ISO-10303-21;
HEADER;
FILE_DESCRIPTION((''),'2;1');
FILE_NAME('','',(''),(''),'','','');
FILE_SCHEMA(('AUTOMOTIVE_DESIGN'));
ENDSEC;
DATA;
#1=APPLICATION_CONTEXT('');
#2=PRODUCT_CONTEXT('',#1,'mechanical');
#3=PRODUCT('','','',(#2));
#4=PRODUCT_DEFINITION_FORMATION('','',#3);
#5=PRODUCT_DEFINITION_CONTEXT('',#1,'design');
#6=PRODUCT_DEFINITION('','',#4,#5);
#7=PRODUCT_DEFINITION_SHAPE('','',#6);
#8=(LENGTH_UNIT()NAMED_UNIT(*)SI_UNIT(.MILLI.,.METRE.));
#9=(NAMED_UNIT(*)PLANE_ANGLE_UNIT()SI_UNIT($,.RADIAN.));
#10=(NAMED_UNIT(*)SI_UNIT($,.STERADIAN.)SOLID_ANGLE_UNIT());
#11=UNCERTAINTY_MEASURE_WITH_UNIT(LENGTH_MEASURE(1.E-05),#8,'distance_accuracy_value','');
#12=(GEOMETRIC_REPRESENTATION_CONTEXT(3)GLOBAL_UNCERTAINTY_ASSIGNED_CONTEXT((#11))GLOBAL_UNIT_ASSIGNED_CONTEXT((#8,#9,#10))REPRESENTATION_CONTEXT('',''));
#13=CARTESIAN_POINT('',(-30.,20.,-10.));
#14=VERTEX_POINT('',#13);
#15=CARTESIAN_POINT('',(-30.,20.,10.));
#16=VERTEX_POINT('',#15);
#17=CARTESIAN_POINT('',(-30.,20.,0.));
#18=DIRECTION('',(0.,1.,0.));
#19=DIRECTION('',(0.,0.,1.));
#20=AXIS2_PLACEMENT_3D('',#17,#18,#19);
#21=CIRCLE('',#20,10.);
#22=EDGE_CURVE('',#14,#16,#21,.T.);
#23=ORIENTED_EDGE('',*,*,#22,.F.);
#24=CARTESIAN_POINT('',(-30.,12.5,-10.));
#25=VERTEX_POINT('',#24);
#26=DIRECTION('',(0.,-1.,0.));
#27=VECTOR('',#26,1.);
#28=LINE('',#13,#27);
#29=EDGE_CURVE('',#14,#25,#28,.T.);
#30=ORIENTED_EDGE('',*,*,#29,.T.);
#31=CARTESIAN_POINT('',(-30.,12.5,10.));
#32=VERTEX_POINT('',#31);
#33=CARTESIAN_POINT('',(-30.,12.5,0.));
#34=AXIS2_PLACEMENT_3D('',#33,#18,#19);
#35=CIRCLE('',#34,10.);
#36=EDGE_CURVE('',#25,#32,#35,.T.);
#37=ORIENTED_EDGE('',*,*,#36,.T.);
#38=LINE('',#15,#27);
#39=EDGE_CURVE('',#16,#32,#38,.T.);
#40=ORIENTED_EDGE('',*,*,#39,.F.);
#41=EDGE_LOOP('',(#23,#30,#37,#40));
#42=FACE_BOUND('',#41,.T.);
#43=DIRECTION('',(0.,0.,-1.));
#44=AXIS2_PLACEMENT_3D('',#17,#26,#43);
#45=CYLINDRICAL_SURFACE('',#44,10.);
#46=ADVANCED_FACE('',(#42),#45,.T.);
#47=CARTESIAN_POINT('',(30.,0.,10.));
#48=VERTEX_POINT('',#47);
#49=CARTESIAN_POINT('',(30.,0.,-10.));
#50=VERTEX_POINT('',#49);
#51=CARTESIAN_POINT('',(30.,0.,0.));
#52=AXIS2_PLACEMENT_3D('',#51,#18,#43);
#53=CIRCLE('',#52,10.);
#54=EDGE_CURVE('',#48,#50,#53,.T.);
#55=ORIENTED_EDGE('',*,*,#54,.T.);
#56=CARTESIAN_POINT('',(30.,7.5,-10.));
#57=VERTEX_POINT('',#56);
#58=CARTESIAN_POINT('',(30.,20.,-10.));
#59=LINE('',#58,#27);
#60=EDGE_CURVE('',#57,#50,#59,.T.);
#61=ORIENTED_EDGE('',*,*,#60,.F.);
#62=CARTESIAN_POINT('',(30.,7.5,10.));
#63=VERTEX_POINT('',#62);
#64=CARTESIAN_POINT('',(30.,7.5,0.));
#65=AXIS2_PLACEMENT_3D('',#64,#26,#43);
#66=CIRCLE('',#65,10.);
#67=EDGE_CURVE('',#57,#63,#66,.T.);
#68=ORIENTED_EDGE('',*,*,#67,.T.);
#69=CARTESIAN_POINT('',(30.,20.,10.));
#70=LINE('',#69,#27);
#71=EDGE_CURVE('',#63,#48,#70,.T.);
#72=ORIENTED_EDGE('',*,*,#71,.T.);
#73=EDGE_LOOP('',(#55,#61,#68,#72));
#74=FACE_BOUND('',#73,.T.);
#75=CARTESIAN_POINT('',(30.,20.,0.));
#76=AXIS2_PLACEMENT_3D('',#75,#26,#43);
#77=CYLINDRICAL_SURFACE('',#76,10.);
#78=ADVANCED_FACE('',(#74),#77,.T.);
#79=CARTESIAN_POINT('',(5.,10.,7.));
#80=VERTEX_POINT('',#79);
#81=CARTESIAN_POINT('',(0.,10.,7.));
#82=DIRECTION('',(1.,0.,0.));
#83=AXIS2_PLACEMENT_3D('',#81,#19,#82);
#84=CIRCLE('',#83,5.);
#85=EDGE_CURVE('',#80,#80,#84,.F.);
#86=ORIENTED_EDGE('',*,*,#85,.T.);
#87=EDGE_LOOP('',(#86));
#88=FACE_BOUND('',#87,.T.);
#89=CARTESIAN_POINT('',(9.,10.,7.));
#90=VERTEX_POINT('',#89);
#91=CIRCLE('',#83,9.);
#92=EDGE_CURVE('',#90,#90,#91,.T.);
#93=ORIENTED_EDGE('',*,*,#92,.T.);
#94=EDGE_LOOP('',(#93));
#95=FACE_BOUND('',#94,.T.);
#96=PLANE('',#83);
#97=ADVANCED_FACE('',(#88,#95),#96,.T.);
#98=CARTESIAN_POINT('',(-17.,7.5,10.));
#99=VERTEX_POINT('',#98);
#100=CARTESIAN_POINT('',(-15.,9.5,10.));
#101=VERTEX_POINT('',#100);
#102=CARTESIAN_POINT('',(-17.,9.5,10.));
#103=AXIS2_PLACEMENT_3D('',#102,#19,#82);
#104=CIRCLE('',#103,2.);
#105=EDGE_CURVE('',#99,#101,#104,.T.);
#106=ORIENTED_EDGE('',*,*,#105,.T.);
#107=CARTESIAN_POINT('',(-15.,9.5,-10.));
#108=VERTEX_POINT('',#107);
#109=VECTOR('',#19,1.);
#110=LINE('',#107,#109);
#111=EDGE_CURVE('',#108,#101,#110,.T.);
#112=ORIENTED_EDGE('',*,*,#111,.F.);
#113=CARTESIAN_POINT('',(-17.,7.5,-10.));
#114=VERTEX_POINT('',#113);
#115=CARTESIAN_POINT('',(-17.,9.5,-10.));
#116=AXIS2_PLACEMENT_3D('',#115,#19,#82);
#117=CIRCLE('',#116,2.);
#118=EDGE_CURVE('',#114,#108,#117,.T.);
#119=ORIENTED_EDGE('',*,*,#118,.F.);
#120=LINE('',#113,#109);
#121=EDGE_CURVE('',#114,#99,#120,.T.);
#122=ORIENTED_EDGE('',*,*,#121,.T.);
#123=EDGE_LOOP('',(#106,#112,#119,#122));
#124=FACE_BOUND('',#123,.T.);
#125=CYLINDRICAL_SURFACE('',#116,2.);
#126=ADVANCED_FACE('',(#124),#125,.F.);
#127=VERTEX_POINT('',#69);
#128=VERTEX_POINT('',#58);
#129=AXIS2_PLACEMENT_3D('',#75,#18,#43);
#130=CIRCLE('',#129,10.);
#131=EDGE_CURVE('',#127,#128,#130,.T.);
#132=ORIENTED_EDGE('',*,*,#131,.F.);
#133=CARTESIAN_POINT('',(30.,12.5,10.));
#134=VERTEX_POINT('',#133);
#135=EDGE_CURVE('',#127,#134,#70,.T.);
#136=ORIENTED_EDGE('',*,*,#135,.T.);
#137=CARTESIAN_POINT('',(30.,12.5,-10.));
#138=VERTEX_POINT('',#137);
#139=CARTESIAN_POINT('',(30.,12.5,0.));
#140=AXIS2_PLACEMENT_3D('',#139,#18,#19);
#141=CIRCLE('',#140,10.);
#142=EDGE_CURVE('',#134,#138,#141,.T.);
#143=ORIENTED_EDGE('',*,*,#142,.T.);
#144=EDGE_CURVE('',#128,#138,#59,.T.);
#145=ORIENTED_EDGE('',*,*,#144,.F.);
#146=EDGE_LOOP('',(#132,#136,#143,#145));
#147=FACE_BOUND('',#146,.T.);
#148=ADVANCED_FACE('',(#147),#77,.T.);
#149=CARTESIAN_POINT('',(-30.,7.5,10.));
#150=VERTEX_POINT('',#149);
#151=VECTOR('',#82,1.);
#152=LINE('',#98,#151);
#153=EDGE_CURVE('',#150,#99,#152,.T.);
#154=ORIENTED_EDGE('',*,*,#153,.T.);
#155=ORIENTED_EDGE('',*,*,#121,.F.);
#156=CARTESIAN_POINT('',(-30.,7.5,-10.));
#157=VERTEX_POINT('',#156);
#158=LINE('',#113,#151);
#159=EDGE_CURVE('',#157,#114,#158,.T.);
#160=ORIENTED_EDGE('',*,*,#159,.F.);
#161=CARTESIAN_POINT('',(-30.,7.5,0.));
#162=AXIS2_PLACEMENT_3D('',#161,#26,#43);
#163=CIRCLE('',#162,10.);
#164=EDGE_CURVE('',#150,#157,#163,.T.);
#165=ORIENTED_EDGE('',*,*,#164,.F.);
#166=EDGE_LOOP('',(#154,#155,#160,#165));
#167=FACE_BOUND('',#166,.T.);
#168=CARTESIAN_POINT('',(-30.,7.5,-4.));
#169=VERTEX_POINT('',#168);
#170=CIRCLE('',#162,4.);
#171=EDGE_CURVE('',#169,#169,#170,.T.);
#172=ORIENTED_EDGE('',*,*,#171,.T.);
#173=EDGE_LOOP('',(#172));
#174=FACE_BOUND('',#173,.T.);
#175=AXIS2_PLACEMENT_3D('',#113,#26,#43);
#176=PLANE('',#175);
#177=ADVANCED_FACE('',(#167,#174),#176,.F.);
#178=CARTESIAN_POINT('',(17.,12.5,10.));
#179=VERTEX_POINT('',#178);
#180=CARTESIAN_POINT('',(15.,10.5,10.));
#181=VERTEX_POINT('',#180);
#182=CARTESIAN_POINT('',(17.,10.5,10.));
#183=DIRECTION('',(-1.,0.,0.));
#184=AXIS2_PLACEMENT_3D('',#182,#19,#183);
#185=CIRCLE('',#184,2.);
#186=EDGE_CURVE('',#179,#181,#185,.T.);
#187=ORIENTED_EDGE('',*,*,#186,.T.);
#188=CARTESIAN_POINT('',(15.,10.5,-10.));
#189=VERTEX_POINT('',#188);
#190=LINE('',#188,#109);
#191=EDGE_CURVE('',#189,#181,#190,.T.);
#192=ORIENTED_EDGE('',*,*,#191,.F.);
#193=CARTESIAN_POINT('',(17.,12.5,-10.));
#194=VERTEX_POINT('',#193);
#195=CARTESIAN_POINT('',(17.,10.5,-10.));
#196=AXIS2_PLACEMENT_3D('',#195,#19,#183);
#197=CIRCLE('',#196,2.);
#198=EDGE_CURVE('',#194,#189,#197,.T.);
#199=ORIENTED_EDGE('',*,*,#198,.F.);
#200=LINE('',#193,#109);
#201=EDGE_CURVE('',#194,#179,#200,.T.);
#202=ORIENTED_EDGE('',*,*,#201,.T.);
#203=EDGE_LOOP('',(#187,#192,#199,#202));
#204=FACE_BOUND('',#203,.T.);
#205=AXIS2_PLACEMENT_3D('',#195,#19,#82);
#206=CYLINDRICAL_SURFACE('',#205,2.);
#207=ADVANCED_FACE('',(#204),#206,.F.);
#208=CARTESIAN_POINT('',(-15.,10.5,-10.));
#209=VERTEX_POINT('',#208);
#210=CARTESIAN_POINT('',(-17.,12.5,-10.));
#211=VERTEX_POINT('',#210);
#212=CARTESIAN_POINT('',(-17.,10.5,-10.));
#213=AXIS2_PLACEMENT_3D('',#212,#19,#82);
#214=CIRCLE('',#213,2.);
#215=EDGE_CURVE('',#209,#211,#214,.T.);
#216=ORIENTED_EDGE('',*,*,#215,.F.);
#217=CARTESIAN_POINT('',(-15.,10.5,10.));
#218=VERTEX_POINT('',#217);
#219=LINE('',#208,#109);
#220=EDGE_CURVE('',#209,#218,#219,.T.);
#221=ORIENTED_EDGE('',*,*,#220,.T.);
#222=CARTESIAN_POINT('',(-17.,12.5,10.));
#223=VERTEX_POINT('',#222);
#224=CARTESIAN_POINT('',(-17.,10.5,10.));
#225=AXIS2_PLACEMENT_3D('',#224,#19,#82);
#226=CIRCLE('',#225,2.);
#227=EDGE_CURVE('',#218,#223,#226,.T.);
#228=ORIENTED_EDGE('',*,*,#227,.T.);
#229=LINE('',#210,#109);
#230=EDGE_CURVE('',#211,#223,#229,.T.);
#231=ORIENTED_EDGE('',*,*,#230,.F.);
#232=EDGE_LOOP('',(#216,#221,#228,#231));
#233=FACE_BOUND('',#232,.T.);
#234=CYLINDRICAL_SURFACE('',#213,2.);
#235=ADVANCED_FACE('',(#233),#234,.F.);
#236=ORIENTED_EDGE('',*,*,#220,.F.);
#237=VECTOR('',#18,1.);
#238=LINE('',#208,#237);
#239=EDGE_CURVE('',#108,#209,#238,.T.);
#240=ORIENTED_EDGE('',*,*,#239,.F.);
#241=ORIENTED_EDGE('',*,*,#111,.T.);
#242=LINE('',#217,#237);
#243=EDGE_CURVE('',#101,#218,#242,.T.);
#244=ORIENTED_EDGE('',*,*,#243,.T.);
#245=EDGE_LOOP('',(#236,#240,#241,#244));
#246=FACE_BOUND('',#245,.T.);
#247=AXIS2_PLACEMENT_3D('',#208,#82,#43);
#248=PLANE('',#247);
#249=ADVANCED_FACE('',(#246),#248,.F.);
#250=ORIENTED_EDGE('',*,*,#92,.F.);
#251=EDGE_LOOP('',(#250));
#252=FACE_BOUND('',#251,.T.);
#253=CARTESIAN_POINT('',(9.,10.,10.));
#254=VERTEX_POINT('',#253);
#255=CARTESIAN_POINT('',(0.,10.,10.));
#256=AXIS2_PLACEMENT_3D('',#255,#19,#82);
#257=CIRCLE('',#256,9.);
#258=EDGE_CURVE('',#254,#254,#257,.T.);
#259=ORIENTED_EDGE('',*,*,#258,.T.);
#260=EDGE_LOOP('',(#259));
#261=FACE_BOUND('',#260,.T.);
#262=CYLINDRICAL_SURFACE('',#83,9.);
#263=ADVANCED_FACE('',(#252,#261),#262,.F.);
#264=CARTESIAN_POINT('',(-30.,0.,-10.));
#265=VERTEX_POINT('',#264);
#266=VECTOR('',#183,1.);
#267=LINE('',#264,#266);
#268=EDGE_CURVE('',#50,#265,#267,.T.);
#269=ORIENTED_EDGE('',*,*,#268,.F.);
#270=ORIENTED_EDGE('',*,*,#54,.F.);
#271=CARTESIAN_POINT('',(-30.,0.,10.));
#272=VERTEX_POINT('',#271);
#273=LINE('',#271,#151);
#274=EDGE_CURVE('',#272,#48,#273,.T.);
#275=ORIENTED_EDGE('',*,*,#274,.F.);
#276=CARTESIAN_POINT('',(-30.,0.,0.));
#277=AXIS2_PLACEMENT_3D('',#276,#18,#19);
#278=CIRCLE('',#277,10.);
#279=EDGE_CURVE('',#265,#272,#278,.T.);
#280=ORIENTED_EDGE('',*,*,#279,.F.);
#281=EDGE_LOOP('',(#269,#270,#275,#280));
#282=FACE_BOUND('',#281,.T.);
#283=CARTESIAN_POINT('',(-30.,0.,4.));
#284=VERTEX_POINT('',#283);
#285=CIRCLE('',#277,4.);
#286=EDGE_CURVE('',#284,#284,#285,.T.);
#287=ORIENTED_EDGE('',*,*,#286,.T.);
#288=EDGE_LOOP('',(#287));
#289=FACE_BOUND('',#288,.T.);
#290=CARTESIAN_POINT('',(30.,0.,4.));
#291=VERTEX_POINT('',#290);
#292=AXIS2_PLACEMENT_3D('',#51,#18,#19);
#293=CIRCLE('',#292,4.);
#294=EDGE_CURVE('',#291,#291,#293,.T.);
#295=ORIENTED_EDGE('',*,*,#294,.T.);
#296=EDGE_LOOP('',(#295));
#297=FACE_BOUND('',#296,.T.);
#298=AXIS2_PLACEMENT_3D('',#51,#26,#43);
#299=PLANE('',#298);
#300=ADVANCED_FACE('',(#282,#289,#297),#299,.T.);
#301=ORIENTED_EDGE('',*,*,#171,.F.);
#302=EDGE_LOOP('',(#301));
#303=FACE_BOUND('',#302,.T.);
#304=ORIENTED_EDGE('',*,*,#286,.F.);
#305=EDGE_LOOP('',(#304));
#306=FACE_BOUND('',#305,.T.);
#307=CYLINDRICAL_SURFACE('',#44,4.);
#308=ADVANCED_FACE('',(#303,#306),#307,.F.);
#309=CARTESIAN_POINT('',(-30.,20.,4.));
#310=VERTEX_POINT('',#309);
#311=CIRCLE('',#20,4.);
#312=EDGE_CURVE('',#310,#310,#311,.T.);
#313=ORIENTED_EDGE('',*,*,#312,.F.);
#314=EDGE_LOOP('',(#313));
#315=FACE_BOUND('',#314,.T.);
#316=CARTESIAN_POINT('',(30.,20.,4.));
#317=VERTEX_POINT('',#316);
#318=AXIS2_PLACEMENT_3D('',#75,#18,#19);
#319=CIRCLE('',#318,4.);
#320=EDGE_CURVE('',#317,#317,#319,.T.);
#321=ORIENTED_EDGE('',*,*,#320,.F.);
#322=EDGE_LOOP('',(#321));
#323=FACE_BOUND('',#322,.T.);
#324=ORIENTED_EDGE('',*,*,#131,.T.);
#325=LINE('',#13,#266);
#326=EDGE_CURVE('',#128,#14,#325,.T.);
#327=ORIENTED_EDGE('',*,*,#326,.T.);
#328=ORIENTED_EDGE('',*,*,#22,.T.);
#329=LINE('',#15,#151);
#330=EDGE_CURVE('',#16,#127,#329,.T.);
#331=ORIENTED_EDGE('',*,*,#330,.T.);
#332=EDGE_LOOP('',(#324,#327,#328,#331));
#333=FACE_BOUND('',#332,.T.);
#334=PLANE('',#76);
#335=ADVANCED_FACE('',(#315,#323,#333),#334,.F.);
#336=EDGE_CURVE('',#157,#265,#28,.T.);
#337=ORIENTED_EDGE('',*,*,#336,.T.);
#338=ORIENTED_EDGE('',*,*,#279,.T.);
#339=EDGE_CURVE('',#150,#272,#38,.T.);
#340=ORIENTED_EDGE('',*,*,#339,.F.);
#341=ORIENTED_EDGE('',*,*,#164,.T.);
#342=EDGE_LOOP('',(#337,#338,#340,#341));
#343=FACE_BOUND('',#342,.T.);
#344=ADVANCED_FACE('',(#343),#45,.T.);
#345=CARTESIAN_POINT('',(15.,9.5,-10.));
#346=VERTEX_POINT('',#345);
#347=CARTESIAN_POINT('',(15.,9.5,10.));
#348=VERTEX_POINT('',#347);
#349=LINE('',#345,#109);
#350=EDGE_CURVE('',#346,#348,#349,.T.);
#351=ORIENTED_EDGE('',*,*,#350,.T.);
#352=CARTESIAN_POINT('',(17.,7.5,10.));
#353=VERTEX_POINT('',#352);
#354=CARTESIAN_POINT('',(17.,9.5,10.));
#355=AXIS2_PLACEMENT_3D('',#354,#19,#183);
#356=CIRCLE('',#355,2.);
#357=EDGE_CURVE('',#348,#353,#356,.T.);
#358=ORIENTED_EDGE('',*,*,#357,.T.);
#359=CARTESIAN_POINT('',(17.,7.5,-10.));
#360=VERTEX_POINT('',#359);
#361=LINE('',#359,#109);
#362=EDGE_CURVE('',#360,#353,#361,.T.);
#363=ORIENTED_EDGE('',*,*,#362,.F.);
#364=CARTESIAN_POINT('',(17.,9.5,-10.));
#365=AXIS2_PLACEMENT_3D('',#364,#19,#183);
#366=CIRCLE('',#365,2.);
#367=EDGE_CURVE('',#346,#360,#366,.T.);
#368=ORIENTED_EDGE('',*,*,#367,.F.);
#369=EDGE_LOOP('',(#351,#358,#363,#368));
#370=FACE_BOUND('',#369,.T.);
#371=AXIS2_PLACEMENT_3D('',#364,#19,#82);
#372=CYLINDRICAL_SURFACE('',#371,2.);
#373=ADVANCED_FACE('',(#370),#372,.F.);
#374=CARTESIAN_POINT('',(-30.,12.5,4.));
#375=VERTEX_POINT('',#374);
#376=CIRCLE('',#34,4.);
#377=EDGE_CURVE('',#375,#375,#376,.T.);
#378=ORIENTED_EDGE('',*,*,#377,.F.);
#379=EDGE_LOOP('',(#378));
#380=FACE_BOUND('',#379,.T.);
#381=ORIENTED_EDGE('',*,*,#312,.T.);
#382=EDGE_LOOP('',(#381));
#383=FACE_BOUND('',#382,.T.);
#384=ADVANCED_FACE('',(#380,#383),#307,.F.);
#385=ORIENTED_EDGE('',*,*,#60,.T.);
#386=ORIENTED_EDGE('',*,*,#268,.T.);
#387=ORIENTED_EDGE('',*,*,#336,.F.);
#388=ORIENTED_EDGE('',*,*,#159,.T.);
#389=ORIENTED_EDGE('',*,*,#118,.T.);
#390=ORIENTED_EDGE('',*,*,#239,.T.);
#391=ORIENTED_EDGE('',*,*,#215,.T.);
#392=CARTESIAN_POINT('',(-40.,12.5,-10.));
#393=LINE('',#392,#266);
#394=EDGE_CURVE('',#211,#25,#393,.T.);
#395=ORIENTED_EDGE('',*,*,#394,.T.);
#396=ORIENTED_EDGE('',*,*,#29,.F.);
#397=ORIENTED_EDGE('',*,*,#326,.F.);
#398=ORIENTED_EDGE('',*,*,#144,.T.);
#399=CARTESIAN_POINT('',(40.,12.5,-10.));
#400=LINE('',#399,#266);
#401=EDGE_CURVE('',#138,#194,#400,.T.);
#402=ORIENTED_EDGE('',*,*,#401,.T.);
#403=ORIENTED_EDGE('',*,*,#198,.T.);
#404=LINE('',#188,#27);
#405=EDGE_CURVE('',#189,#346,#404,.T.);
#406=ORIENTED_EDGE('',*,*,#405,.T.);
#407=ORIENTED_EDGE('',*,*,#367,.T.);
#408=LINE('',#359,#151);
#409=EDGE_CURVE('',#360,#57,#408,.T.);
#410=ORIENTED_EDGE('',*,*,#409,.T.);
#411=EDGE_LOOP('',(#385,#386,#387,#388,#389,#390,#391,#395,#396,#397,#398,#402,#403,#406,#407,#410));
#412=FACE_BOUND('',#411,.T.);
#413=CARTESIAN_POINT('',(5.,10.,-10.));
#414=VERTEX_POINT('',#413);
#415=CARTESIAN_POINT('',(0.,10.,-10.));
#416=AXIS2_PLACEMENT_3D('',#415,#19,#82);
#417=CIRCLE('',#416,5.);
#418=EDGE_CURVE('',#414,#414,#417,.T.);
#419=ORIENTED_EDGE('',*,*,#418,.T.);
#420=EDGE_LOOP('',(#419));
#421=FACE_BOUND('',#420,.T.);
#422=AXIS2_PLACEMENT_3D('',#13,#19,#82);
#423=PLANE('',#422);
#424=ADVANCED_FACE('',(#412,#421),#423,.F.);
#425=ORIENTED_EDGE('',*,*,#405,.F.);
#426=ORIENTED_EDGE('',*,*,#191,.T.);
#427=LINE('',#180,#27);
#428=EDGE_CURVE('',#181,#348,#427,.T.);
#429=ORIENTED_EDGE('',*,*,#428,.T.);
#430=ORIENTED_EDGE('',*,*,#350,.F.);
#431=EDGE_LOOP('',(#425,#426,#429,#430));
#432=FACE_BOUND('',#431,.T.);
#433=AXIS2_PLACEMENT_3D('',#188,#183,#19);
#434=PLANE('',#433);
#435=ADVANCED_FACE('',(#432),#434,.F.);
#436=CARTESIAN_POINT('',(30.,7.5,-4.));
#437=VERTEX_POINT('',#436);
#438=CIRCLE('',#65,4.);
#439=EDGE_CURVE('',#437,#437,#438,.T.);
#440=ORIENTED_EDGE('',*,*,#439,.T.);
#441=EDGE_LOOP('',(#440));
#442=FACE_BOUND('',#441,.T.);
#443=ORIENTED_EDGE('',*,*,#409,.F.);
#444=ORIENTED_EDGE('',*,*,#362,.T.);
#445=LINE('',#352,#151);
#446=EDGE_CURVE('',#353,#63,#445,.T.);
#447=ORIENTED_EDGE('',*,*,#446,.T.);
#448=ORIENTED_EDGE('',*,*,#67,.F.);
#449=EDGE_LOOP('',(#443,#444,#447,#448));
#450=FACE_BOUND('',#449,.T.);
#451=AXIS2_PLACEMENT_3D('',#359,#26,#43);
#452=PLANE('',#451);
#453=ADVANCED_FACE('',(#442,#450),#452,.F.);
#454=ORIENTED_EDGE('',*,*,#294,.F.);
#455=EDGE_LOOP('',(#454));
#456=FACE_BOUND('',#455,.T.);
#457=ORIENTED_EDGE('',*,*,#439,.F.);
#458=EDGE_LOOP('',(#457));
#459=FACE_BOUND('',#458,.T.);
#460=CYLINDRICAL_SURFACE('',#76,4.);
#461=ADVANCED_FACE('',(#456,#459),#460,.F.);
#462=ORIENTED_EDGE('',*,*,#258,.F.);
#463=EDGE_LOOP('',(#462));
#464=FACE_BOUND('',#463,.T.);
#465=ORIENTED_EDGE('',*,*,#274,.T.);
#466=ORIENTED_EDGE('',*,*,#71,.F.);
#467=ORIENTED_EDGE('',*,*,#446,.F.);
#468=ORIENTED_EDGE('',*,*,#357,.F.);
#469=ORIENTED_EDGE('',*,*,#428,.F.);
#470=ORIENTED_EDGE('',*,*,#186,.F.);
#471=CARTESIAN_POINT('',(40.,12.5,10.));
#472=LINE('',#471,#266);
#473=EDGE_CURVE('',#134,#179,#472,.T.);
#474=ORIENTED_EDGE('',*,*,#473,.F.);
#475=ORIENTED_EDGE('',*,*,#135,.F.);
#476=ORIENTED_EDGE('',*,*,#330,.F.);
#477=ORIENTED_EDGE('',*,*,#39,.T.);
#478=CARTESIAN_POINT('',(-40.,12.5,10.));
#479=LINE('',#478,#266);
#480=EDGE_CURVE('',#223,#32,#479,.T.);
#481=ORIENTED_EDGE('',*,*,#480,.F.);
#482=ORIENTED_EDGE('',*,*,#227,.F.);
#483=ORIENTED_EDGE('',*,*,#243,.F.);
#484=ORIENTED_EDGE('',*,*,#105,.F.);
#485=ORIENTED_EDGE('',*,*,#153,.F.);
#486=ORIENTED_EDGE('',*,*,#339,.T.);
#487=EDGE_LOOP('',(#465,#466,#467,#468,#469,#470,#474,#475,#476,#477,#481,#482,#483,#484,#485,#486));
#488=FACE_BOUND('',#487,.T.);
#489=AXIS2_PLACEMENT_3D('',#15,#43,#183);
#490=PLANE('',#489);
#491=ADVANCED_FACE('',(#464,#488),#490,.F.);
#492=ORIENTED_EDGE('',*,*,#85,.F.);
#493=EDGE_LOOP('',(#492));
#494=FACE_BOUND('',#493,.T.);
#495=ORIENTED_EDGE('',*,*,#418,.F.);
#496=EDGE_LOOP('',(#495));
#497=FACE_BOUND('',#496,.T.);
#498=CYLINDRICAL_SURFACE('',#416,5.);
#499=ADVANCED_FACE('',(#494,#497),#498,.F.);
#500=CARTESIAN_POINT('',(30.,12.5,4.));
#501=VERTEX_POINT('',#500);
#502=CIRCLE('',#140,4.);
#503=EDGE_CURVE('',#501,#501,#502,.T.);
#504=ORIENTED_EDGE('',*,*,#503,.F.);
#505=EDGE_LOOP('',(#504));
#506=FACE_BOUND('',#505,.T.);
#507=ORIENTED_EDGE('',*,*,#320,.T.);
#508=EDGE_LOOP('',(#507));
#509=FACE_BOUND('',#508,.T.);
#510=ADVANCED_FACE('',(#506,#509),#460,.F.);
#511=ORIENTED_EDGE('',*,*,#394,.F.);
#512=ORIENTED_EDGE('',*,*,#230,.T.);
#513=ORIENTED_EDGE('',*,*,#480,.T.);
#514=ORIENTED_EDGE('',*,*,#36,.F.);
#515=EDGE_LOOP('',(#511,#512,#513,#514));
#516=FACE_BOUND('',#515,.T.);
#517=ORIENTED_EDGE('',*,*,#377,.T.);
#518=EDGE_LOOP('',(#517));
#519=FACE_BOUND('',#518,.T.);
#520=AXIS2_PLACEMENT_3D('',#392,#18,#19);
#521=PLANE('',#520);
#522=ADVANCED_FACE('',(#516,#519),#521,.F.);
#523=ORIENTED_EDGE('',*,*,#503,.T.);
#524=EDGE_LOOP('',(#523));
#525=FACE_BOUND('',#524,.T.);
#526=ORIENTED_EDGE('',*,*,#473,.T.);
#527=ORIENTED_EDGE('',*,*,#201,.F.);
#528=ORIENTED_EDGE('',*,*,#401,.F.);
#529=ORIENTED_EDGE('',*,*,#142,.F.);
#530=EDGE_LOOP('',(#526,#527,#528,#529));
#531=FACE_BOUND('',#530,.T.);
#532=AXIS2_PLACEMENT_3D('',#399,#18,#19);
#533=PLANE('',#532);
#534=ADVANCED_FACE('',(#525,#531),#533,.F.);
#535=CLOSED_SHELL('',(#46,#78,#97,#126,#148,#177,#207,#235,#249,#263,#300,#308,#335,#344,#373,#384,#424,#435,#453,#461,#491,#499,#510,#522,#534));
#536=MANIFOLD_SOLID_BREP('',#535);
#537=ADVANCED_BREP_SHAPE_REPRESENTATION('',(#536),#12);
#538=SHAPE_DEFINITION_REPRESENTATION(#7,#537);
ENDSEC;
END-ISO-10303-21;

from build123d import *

# Parameters (mm, degrees)
SKETCH1_R           = 4
BOSS_EXTRUDE1_DEPTH = 20
CUT_EXTRUDE1_DEPTH  = 20
SKETCH3_R           = 5
CUT_EXTRUDE2_DEPTH  = 20
SKETCH3_3_R         = 9
CUT_EXTRUDE3_DEPTH  = 3


with BuildPart() as part:
    # Sketch1 → Boss-Extrude1 (new body)
    with BuildSketch(Plane(origin=(0, 0, 0), x_dir=(1, 0, 0), z_dir=(0, 1, 0))):
        with BuildLine():
            Line((-30, -10), (30, -10))
            ThreePointArc((30, -10), (40, 0), (30, 10))
            Line((30, 10), (-30, 10))
            ThreePointArc((-30, 10), (-40, 0), (-30, -10))
        make_face()
        with Locations((-30, 0)):
            Circle(SKETCH1_R, mode=Mode.SUBTRACT)
        with Locations((30, 0)):
            Circle(SKETCH1_R, mode=Mode.SUBTRACT)
    extrude(amount=BOSS_EXTRUDE1_DEPTH)

    # Sketch2 → Cut-Extrude1 (cut)
    with BuildSketch(Plane.XY.offset(10)):
        with BuildLine():
            Line((-40, 12.5), (-17, 12.5))
            ThreePointArc((-17, 12.5), (-15.585786438, 11.914213562), (-15, 10.5))
            Line((-15, 10.5), (-15, 9.5))
            ThreePointArc((-15, 9.5), (-15.585786438, 8.085786438), (-17, 7.5))
            Line((-17, 7.5), (-40, 7.5))
            Line((-40, 7.5), (-40, 12.5))
        make_face()
        with BuildLine():
            Line((40, 7.5), (40, 12.5))
            Line((40, 12.5), (17, 12.5))
            ThreePointArc((17, 12.5), (15.585786438, 11.914213562), (15, 10.5))
            Line((15, 10.5), (15, 9.5))
            ThreePointArc((15, 9.5), (15.585786438, 8.085786438), (17, 7.5))
            Line((17, 7.5), (40, 7.5))
        make_face()
    extrude(amount=-CUT_EXTRUDE1_DEPTH, mode=Mode.SUBTRACT)

    # Sketch3 → Cut-Extrude2 (cut)
    with BuildSketch(Plane.XY.offset(10)):
        with Locations((0, 10)):
            Circle(SKETCH3_R)
    extrude(amount=-CUT_EXTRUDE2_DEPTH, mode=Mode.SUBTRACT)

    # Sketch3<3> → Cut-Extrude3 (cut)
    with BuildSketch(Plane.XY.offset(10)):
        with Locations((0, 10)):
            Circle(SKETCH3_3_R)
    extrude(amount=-CUT_EXTRUDE3_DEPTH, mode=Mode.SUBTRACT)


solid = part.part
